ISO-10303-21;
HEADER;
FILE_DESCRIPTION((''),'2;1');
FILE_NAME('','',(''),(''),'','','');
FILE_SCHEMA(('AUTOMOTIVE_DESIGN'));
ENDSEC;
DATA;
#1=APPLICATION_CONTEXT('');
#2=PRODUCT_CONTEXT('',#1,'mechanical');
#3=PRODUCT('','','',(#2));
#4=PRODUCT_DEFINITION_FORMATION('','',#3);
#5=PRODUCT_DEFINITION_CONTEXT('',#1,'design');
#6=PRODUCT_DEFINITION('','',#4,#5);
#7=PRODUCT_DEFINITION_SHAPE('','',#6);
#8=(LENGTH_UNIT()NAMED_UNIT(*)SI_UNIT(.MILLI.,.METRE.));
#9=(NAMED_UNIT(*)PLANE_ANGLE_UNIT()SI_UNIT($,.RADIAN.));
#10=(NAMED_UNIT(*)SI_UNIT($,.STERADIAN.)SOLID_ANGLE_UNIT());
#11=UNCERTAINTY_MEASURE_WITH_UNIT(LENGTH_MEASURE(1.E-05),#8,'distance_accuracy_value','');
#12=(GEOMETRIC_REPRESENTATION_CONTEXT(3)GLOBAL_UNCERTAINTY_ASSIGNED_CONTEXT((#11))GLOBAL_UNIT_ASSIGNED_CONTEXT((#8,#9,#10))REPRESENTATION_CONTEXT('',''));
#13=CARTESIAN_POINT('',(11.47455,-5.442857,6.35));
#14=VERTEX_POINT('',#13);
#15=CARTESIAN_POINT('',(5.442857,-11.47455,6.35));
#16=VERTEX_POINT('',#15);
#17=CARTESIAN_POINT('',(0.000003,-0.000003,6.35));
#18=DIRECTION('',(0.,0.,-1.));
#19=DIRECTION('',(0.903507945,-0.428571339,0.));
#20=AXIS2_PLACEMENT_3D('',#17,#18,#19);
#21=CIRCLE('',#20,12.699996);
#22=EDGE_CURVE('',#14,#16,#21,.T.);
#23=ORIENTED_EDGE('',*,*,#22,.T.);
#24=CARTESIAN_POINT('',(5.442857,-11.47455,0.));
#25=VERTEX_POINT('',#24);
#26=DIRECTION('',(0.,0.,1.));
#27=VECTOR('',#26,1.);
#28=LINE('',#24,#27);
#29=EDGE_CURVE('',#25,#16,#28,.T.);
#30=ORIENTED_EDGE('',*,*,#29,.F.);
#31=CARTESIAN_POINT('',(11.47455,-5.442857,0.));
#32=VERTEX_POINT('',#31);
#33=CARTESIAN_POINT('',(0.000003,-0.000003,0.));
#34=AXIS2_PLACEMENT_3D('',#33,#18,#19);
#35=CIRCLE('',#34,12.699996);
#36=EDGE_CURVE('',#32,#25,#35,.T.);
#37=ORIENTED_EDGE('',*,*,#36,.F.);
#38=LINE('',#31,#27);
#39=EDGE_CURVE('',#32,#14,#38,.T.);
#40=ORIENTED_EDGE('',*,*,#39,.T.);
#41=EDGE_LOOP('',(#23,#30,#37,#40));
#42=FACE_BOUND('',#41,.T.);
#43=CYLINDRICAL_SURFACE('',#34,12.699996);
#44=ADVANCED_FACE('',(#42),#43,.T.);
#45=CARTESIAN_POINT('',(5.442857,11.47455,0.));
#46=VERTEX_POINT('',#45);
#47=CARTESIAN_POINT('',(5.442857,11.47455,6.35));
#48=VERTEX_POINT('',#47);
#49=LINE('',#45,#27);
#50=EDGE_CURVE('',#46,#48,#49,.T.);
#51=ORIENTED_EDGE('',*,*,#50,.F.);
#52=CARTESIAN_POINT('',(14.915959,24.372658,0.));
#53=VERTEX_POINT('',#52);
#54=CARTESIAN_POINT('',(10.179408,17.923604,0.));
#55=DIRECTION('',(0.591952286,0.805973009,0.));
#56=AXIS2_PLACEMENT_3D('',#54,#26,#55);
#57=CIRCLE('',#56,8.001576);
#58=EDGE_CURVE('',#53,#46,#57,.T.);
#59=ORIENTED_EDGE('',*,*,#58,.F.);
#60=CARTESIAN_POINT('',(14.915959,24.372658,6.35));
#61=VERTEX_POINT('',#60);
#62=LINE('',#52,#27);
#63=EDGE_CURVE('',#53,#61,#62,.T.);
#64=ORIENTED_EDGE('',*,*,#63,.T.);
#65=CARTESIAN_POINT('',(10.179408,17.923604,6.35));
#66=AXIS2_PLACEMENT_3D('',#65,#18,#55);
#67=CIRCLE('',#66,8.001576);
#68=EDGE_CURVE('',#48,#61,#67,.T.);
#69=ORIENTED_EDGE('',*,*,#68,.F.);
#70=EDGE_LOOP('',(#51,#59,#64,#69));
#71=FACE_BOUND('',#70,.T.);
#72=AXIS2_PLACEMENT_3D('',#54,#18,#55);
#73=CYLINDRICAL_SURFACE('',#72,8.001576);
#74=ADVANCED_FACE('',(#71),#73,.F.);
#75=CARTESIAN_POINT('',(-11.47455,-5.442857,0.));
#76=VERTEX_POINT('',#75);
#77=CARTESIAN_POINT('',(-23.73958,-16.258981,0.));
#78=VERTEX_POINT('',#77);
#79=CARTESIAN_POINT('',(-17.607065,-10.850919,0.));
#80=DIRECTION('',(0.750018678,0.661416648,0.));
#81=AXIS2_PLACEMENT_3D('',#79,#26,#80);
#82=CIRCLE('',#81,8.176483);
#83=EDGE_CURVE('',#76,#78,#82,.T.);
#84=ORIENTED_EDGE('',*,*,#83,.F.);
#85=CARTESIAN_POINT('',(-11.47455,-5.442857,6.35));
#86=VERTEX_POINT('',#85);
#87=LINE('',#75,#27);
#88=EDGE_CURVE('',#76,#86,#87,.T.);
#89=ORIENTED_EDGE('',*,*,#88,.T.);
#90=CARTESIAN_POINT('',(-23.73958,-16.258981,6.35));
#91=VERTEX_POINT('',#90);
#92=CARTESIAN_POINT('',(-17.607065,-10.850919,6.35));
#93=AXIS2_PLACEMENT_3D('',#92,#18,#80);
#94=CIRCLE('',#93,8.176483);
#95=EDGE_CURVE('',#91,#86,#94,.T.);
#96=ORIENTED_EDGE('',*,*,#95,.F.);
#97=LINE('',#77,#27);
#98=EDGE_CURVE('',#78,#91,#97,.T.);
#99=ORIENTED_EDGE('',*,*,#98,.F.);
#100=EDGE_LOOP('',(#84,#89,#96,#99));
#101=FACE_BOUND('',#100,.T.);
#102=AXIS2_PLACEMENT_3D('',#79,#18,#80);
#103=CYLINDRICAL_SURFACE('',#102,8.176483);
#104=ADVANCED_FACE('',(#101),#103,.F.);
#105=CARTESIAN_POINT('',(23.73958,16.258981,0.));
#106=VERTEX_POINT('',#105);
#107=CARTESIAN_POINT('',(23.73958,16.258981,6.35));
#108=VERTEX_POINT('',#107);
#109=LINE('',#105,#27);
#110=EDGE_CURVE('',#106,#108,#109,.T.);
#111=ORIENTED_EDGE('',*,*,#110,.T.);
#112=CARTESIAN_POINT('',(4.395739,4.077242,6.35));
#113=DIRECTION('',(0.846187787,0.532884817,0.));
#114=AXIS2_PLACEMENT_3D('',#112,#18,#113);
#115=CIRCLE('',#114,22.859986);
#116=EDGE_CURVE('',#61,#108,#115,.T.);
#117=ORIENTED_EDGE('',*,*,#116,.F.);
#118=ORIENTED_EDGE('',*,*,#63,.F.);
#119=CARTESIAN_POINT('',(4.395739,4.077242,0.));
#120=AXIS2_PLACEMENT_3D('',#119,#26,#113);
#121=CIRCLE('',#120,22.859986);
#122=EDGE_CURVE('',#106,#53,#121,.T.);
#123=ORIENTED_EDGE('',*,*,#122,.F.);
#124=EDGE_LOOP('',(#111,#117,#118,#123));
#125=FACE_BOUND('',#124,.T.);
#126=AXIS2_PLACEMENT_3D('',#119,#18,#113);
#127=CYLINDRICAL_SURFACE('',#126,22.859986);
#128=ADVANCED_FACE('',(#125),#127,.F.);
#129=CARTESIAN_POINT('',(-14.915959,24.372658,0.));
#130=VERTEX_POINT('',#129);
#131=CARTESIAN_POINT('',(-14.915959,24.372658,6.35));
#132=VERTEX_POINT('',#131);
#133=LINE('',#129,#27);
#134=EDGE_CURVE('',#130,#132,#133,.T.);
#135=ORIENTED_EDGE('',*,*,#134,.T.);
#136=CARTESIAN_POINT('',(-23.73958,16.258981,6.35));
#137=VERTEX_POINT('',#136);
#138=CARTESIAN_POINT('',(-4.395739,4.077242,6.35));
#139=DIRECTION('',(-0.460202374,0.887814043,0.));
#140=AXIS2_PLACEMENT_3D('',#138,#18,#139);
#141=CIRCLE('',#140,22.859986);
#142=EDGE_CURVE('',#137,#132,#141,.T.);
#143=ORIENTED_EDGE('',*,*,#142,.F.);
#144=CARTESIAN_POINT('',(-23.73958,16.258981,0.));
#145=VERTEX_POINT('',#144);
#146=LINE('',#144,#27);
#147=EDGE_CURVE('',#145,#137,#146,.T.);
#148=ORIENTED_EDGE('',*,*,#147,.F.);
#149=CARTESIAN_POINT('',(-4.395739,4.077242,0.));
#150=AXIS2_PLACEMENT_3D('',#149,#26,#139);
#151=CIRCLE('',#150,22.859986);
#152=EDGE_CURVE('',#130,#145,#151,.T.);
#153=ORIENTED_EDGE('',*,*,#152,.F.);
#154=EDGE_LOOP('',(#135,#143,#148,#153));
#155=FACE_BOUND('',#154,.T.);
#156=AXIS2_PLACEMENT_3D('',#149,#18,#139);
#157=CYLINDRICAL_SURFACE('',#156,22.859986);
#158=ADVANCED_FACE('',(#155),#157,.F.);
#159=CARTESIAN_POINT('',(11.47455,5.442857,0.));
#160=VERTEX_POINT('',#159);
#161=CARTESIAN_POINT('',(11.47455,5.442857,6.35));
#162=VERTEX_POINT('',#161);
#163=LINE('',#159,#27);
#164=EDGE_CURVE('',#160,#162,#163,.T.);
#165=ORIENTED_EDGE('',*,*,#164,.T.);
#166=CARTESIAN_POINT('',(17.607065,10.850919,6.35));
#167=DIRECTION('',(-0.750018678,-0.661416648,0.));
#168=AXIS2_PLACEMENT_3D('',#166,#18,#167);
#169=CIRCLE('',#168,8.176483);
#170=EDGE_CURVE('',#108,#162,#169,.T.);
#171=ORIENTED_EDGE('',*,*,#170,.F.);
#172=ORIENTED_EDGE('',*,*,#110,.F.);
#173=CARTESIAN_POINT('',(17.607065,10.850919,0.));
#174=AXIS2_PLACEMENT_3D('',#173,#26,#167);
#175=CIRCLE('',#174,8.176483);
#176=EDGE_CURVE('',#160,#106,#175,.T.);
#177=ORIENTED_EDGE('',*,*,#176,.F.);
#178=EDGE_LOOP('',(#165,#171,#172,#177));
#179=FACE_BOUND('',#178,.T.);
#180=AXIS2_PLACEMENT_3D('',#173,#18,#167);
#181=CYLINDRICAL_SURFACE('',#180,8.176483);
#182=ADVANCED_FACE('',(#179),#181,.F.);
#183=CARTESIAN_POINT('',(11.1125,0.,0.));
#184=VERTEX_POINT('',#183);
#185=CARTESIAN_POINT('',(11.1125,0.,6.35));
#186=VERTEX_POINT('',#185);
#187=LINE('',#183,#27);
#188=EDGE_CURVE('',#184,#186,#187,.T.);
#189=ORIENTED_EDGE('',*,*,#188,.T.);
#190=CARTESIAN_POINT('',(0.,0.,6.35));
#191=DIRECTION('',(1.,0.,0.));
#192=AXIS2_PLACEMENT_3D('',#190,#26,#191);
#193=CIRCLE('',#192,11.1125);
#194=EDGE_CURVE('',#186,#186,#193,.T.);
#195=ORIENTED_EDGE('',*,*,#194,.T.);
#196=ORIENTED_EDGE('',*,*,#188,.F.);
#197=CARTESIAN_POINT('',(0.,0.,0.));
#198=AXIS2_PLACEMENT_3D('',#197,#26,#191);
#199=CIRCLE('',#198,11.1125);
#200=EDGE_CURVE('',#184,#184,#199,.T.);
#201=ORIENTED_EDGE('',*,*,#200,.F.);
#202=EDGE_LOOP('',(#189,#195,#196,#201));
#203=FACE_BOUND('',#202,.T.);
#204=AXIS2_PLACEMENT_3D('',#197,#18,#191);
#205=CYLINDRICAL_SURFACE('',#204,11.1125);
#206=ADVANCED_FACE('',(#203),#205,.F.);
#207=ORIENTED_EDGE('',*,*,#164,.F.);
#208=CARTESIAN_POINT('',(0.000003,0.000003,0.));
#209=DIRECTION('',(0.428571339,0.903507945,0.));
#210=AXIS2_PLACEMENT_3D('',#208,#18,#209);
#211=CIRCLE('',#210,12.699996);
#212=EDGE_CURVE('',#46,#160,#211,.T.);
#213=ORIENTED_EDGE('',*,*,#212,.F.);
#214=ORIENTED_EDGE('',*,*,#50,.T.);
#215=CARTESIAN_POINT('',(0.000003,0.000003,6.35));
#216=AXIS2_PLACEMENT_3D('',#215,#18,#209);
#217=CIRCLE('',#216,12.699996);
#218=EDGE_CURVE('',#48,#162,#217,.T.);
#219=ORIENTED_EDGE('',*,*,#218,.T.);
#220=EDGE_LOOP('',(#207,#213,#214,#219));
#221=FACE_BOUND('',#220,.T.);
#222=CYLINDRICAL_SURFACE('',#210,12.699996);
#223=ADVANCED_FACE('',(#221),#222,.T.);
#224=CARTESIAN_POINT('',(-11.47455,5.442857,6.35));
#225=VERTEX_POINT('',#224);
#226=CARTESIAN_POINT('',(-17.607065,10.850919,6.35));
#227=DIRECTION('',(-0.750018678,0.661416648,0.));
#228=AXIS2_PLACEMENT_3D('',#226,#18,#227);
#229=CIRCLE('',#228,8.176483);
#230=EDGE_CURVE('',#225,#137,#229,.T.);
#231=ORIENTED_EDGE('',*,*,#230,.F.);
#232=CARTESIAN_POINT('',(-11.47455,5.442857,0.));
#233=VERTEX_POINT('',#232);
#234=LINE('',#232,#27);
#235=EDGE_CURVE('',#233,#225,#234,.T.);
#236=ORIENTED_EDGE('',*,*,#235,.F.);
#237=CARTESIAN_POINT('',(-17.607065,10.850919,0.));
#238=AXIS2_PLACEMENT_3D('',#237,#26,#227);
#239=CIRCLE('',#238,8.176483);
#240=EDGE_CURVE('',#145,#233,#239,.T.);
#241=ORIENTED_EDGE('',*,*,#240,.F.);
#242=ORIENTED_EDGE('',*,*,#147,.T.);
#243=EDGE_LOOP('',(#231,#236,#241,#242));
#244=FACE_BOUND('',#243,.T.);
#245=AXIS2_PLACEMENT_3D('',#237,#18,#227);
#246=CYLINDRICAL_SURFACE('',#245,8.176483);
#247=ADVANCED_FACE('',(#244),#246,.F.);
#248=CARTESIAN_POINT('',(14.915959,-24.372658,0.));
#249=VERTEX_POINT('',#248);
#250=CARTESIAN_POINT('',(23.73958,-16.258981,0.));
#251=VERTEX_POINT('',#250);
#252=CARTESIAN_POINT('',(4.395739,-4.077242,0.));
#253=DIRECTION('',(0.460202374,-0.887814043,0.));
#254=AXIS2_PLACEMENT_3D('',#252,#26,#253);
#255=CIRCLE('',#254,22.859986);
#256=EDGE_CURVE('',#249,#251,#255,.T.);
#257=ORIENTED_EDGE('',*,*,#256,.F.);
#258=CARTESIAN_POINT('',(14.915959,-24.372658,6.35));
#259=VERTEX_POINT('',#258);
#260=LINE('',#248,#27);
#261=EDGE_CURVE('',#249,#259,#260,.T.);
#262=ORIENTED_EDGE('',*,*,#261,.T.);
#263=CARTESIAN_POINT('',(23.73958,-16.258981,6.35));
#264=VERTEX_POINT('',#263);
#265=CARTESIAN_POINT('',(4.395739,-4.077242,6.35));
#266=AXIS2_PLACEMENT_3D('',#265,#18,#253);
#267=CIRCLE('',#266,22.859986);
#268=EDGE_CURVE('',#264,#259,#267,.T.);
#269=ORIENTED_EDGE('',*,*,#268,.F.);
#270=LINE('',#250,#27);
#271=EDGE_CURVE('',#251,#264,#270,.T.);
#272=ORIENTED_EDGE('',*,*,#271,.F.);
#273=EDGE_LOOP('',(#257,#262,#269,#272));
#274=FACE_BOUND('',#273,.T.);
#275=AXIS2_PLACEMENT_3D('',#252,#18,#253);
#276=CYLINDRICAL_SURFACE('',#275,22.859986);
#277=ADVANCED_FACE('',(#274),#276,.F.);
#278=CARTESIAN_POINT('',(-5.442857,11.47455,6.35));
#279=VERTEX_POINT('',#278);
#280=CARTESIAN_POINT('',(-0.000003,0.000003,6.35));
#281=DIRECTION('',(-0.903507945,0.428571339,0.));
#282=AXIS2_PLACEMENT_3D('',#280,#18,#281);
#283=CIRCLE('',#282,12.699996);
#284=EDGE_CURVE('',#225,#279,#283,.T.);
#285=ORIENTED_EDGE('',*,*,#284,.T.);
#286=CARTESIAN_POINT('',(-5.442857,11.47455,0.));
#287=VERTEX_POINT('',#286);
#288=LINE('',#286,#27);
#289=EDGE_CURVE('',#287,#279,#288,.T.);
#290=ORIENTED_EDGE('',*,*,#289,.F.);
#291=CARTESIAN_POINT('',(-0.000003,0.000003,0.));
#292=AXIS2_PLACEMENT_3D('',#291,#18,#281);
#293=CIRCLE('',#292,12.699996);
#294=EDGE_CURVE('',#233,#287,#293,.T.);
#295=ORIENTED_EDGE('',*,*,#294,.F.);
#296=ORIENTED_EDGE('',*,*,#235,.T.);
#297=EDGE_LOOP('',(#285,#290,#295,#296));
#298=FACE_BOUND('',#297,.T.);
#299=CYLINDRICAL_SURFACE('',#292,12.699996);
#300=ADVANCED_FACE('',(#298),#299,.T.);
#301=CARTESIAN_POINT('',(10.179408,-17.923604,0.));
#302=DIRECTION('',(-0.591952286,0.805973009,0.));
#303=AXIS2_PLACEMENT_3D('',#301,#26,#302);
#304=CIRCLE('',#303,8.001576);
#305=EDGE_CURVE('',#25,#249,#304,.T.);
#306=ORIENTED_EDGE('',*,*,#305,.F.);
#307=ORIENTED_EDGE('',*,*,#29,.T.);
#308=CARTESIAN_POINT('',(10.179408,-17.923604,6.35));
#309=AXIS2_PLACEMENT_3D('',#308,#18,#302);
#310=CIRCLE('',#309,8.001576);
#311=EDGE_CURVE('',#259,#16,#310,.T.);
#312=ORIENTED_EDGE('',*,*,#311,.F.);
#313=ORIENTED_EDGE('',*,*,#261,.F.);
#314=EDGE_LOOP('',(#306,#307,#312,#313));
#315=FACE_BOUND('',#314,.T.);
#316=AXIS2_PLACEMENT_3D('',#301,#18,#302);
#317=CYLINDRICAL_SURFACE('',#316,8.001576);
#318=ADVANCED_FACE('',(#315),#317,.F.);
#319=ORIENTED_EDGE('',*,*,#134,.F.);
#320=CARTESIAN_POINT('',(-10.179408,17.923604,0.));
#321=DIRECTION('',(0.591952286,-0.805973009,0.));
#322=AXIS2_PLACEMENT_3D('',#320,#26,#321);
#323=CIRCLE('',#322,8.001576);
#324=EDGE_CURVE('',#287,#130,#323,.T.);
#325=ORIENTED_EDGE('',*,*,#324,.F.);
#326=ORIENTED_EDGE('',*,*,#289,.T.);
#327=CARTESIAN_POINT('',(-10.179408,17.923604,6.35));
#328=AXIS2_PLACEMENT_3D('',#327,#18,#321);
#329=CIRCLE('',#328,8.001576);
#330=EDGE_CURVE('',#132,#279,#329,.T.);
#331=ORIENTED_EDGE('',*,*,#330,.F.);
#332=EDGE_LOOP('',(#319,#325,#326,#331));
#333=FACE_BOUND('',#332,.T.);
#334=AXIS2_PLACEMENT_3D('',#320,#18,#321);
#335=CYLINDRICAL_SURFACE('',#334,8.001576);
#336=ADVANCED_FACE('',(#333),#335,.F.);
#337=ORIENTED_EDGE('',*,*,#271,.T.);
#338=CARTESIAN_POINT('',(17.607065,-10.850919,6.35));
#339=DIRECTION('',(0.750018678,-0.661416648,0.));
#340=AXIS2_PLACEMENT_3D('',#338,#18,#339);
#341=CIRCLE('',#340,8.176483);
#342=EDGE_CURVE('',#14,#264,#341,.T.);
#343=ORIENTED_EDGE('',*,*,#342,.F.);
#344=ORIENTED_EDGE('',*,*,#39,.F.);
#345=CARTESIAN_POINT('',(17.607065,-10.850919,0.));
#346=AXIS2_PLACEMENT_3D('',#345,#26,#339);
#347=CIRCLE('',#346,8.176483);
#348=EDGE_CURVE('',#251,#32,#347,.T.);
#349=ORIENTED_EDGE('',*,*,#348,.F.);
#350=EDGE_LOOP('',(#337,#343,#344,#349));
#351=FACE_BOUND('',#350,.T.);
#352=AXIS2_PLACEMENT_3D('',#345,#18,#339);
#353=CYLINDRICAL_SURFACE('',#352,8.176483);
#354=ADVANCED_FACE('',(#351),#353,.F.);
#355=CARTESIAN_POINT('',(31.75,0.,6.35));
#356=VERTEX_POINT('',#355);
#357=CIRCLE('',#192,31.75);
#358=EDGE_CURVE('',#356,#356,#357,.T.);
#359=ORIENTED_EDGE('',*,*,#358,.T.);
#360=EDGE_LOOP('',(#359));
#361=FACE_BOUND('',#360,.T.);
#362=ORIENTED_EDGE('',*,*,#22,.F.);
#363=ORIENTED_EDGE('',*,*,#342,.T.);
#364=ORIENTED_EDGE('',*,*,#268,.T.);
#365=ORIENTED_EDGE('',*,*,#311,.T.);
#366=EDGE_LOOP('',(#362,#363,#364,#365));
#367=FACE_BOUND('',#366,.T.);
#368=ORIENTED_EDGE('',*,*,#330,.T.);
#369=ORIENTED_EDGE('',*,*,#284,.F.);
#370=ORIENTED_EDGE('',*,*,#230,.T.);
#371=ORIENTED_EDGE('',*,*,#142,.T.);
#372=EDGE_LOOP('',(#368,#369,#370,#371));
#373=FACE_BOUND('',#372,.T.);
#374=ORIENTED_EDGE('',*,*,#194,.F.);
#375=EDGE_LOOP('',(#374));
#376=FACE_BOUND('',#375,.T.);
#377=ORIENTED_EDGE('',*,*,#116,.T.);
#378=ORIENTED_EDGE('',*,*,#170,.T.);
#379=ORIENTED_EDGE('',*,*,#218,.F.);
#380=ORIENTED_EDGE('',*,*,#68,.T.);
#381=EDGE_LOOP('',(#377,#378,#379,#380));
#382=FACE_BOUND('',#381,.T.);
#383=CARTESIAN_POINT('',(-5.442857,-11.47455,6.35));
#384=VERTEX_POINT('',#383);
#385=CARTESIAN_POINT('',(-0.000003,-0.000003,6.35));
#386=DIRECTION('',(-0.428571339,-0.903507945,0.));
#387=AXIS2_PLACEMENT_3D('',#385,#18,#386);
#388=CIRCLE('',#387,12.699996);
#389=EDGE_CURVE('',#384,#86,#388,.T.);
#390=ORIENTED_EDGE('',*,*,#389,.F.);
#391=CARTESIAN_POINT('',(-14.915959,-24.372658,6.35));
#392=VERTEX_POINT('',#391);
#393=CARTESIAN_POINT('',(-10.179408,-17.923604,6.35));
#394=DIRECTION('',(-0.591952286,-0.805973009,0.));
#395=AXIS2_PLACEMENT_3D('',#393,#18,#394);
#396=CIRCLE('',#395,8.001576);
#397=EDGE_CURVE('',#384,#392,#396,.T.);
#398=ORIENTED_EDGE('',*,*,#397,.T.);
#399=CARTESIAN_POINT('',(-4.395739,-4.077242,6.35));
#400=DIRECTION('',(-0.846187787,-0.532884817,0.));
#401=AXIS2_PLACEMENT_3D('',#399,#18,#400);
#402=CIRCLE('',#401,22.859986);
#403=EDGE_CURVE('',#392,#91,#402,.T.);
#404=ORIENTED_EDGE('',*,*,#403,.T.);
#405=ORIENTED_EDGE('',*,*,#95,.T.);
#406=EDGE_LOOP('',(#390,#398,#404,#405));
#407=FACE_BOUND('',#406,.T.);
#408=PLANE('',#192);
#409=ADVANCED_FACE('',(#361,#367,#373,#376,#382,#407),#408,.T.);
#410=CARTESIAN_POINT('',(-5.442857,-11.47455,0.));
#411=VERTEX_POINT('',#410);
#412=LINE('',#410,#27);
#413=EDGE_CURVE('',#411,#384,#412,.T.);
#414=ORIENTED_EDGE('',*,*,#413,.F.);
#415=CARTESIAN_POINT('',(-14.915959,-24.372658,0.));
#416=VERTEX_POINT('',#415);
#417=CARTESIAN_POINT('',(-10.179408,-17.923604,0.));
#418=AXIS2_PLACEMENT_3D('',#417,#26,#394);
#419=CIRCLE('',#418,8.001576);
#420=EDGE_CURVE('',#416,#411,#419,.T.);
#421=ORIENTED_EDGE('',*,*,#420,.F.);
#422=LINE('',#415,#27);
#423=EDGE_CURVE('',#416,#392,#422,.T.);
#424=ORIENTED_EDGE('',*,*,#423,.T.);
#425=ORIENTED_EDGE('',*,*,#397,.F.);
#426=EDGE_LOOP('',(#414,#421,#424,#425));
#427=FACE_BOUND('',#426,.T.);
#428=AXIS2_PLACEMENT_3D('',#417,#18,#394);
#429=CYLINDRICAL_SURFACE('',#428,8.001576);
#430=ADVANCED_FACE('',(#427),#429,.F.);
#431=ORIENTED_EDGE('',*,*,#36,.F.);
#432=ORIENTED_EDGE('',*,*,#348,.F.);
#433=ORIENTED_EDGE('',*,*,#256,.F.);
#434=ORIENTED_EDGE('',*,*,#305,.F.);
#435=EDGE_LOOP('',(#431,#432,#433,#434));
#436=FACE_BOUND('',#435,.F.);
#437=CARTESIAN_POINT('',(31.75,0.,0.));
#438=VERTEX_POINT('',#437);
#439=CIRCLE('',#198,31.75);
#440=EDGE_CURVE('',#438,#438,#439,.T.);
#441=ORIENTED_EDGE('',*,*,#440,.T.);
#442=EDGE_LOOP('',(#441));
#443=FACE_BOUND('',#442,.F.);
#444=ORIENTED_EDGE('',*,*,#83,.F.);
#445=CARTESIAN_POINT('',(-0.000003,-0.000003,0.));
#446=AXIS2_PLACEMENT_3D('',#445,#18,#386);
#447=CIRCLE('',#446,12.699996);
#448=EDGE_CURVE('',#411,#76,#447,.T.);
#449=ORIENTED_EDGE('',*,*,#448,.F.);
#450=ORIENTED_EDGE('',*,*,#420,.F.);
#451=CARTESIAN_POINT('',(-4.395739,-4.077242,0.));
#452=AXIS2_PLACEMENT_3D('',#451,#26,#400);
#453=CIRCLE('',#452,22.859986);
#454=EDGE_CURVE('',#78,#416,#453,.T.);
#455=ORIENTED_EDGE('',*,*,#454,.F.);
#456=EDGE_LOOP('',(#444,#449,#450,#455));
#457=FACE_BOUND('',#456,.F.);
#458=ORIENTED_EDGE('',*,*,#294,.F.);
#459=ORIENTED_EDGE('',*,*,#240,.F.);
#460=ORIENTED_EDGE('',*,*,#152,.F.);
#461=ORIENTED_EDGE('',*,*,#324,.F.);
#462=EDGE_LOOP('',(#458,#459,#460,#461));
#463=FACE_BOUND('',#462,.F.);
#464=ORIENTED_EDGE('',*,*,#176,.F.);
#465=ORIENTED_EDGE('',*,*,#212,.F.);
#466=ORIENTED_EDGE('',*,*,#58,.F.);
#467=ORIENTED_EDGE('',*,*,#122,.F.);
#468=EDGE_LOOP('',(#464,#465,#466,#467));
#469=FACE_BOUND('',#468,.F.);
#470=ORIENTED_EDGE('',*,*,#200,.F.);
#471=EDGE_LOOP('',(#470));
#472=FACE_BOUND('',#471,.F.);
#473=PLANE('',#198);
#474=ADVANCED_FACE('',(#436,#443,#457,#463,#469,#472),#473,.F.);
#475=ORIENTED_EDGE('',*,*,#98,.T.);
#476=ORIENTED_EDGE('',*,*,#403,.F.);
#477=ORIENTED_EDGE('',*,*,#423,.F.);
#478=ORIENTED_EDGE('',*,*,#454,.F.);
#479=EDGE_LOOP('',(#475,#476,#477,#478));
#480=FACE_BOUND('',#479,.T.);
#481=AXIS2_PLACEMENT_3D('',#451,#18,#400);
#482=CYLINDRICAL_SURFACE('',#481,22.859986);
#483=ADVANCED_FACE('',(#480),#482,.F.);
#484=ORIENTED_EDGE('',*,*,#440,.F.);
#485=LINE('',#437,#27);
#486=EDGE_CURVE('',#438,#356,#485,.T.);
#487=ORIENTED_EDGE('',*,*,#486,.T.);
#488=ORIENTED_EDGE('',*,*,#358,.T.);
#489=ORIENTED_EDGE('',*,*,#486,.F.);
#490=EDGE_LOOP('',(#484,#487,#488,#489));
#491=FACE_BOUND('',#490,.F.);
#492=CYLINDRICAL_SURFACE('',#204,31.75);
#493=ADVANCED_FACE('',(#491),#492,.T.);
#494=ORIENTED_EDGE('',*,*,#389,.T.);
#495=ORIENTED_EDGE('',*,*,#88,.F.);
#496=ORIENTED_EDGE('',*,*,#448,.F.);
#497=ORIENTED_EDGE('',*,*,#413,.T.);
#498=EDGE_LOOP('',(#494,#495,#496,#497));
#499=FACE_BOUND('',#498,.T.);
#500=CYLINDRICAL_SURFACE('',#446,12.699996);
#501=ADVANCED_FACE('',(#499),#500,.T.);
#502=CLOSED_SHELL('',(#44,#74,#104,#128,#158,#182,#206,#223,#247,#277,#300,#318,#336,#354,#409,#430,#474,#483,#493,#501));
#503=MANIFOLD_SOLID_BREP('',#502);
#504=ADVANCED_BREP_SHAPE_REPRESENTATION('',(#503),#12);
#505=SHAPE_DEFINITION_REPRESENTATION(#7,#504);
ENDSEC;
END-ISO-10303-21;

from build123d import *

# Parameters (mm, degrees)
F0_R     = 31.75
F0_R_2   = 11.1125
F1_DEPTH = 6.35
F3_DEPTH = 6.351


with BuildPart() as f1:
    # F0 (on Top) → F1 (new body)
    with BuildSketch(Plane.XY):
        Circle(F0_R)
        Circle(F0_R_2, mode=Mode.SUBTRACT)
    extrude(amount=F1_DEPTH)

    # F2 (on Top) → F3 (cut, through all)
    with BuildSketch(Plane.XY):
        with BuildLine():
            ThreePointArc((23.73958, 16.258981), (19.869054, 20.904466), (14.915959, 24.372658))
            ThreePointArc((14.915959, 24.372658), (3.730354, 22.660155), (5.442857, 11.47455))
            ThreePointArc((5.442857, 11.47455), (8.980256, 8.980256), (11.47455, 5.442857))
            ThreePointArc((11.47455, 5.442857), (23.015127, 4.718404), (23.73958, 16.258981))
        make_face()
        with BuildLine():
            ThreePointArc((14.915959, -24.372658), (19.869054, -20.904466), (23.73958, -16.258981))
            ThreePointArc((23.73958, -16.258981), (23.015127, -4.718404), (11.47455, -5.442857))
            ThreePointArc((11.47455, -5.442857), (8.980256, -8.980256), (5.442857, -11.47455))
            ThreePointArc((5.442857, -11.47455), (3.730354, -22.660155), (14.915959, -24.372658))
        make_face()
        with BuildLine():
            ThreePointArc((-5.442857, 11.47455), (-3.730354, 22.660155), (-14.915959, 24.372658))
            ThreePointArc((-14.915959, 24.372658), (-19.869054, 20.904466), (-23.73958, 16.258981))
            ThreePointArc((-23.73958, 16.258981), (-23.015127, 4.718404), (-11.47455, 5.442857))
            ThreePointArc((-11.47455, 5.442857), (-8.980256, 8.980256), (-5.442857, 11.47455))
        make_face()
        with BuildLine():
            ThreePointArc((-5.442857, -11.47455), (-8.980256, -8.980256), (-11.47455, -5.442857))
            ThreePointArc((-11.47455, -5.442857), (-23.015127, -4.718404), (-23.73958, -16.258981))
            ThreePointArc((-23.73958, -16.258981), (-19.869054, -20.904466), (-14.915959, -24.372658))
            ThreePointArc((-14.915959, -24.372658), (-3.730354, -22.660155), (-5.442857, -11.47455))
        make_face()
    extrude(amount=F3_DEPTH, mode=Mode.SUBTRACT)


solid = f1.part
